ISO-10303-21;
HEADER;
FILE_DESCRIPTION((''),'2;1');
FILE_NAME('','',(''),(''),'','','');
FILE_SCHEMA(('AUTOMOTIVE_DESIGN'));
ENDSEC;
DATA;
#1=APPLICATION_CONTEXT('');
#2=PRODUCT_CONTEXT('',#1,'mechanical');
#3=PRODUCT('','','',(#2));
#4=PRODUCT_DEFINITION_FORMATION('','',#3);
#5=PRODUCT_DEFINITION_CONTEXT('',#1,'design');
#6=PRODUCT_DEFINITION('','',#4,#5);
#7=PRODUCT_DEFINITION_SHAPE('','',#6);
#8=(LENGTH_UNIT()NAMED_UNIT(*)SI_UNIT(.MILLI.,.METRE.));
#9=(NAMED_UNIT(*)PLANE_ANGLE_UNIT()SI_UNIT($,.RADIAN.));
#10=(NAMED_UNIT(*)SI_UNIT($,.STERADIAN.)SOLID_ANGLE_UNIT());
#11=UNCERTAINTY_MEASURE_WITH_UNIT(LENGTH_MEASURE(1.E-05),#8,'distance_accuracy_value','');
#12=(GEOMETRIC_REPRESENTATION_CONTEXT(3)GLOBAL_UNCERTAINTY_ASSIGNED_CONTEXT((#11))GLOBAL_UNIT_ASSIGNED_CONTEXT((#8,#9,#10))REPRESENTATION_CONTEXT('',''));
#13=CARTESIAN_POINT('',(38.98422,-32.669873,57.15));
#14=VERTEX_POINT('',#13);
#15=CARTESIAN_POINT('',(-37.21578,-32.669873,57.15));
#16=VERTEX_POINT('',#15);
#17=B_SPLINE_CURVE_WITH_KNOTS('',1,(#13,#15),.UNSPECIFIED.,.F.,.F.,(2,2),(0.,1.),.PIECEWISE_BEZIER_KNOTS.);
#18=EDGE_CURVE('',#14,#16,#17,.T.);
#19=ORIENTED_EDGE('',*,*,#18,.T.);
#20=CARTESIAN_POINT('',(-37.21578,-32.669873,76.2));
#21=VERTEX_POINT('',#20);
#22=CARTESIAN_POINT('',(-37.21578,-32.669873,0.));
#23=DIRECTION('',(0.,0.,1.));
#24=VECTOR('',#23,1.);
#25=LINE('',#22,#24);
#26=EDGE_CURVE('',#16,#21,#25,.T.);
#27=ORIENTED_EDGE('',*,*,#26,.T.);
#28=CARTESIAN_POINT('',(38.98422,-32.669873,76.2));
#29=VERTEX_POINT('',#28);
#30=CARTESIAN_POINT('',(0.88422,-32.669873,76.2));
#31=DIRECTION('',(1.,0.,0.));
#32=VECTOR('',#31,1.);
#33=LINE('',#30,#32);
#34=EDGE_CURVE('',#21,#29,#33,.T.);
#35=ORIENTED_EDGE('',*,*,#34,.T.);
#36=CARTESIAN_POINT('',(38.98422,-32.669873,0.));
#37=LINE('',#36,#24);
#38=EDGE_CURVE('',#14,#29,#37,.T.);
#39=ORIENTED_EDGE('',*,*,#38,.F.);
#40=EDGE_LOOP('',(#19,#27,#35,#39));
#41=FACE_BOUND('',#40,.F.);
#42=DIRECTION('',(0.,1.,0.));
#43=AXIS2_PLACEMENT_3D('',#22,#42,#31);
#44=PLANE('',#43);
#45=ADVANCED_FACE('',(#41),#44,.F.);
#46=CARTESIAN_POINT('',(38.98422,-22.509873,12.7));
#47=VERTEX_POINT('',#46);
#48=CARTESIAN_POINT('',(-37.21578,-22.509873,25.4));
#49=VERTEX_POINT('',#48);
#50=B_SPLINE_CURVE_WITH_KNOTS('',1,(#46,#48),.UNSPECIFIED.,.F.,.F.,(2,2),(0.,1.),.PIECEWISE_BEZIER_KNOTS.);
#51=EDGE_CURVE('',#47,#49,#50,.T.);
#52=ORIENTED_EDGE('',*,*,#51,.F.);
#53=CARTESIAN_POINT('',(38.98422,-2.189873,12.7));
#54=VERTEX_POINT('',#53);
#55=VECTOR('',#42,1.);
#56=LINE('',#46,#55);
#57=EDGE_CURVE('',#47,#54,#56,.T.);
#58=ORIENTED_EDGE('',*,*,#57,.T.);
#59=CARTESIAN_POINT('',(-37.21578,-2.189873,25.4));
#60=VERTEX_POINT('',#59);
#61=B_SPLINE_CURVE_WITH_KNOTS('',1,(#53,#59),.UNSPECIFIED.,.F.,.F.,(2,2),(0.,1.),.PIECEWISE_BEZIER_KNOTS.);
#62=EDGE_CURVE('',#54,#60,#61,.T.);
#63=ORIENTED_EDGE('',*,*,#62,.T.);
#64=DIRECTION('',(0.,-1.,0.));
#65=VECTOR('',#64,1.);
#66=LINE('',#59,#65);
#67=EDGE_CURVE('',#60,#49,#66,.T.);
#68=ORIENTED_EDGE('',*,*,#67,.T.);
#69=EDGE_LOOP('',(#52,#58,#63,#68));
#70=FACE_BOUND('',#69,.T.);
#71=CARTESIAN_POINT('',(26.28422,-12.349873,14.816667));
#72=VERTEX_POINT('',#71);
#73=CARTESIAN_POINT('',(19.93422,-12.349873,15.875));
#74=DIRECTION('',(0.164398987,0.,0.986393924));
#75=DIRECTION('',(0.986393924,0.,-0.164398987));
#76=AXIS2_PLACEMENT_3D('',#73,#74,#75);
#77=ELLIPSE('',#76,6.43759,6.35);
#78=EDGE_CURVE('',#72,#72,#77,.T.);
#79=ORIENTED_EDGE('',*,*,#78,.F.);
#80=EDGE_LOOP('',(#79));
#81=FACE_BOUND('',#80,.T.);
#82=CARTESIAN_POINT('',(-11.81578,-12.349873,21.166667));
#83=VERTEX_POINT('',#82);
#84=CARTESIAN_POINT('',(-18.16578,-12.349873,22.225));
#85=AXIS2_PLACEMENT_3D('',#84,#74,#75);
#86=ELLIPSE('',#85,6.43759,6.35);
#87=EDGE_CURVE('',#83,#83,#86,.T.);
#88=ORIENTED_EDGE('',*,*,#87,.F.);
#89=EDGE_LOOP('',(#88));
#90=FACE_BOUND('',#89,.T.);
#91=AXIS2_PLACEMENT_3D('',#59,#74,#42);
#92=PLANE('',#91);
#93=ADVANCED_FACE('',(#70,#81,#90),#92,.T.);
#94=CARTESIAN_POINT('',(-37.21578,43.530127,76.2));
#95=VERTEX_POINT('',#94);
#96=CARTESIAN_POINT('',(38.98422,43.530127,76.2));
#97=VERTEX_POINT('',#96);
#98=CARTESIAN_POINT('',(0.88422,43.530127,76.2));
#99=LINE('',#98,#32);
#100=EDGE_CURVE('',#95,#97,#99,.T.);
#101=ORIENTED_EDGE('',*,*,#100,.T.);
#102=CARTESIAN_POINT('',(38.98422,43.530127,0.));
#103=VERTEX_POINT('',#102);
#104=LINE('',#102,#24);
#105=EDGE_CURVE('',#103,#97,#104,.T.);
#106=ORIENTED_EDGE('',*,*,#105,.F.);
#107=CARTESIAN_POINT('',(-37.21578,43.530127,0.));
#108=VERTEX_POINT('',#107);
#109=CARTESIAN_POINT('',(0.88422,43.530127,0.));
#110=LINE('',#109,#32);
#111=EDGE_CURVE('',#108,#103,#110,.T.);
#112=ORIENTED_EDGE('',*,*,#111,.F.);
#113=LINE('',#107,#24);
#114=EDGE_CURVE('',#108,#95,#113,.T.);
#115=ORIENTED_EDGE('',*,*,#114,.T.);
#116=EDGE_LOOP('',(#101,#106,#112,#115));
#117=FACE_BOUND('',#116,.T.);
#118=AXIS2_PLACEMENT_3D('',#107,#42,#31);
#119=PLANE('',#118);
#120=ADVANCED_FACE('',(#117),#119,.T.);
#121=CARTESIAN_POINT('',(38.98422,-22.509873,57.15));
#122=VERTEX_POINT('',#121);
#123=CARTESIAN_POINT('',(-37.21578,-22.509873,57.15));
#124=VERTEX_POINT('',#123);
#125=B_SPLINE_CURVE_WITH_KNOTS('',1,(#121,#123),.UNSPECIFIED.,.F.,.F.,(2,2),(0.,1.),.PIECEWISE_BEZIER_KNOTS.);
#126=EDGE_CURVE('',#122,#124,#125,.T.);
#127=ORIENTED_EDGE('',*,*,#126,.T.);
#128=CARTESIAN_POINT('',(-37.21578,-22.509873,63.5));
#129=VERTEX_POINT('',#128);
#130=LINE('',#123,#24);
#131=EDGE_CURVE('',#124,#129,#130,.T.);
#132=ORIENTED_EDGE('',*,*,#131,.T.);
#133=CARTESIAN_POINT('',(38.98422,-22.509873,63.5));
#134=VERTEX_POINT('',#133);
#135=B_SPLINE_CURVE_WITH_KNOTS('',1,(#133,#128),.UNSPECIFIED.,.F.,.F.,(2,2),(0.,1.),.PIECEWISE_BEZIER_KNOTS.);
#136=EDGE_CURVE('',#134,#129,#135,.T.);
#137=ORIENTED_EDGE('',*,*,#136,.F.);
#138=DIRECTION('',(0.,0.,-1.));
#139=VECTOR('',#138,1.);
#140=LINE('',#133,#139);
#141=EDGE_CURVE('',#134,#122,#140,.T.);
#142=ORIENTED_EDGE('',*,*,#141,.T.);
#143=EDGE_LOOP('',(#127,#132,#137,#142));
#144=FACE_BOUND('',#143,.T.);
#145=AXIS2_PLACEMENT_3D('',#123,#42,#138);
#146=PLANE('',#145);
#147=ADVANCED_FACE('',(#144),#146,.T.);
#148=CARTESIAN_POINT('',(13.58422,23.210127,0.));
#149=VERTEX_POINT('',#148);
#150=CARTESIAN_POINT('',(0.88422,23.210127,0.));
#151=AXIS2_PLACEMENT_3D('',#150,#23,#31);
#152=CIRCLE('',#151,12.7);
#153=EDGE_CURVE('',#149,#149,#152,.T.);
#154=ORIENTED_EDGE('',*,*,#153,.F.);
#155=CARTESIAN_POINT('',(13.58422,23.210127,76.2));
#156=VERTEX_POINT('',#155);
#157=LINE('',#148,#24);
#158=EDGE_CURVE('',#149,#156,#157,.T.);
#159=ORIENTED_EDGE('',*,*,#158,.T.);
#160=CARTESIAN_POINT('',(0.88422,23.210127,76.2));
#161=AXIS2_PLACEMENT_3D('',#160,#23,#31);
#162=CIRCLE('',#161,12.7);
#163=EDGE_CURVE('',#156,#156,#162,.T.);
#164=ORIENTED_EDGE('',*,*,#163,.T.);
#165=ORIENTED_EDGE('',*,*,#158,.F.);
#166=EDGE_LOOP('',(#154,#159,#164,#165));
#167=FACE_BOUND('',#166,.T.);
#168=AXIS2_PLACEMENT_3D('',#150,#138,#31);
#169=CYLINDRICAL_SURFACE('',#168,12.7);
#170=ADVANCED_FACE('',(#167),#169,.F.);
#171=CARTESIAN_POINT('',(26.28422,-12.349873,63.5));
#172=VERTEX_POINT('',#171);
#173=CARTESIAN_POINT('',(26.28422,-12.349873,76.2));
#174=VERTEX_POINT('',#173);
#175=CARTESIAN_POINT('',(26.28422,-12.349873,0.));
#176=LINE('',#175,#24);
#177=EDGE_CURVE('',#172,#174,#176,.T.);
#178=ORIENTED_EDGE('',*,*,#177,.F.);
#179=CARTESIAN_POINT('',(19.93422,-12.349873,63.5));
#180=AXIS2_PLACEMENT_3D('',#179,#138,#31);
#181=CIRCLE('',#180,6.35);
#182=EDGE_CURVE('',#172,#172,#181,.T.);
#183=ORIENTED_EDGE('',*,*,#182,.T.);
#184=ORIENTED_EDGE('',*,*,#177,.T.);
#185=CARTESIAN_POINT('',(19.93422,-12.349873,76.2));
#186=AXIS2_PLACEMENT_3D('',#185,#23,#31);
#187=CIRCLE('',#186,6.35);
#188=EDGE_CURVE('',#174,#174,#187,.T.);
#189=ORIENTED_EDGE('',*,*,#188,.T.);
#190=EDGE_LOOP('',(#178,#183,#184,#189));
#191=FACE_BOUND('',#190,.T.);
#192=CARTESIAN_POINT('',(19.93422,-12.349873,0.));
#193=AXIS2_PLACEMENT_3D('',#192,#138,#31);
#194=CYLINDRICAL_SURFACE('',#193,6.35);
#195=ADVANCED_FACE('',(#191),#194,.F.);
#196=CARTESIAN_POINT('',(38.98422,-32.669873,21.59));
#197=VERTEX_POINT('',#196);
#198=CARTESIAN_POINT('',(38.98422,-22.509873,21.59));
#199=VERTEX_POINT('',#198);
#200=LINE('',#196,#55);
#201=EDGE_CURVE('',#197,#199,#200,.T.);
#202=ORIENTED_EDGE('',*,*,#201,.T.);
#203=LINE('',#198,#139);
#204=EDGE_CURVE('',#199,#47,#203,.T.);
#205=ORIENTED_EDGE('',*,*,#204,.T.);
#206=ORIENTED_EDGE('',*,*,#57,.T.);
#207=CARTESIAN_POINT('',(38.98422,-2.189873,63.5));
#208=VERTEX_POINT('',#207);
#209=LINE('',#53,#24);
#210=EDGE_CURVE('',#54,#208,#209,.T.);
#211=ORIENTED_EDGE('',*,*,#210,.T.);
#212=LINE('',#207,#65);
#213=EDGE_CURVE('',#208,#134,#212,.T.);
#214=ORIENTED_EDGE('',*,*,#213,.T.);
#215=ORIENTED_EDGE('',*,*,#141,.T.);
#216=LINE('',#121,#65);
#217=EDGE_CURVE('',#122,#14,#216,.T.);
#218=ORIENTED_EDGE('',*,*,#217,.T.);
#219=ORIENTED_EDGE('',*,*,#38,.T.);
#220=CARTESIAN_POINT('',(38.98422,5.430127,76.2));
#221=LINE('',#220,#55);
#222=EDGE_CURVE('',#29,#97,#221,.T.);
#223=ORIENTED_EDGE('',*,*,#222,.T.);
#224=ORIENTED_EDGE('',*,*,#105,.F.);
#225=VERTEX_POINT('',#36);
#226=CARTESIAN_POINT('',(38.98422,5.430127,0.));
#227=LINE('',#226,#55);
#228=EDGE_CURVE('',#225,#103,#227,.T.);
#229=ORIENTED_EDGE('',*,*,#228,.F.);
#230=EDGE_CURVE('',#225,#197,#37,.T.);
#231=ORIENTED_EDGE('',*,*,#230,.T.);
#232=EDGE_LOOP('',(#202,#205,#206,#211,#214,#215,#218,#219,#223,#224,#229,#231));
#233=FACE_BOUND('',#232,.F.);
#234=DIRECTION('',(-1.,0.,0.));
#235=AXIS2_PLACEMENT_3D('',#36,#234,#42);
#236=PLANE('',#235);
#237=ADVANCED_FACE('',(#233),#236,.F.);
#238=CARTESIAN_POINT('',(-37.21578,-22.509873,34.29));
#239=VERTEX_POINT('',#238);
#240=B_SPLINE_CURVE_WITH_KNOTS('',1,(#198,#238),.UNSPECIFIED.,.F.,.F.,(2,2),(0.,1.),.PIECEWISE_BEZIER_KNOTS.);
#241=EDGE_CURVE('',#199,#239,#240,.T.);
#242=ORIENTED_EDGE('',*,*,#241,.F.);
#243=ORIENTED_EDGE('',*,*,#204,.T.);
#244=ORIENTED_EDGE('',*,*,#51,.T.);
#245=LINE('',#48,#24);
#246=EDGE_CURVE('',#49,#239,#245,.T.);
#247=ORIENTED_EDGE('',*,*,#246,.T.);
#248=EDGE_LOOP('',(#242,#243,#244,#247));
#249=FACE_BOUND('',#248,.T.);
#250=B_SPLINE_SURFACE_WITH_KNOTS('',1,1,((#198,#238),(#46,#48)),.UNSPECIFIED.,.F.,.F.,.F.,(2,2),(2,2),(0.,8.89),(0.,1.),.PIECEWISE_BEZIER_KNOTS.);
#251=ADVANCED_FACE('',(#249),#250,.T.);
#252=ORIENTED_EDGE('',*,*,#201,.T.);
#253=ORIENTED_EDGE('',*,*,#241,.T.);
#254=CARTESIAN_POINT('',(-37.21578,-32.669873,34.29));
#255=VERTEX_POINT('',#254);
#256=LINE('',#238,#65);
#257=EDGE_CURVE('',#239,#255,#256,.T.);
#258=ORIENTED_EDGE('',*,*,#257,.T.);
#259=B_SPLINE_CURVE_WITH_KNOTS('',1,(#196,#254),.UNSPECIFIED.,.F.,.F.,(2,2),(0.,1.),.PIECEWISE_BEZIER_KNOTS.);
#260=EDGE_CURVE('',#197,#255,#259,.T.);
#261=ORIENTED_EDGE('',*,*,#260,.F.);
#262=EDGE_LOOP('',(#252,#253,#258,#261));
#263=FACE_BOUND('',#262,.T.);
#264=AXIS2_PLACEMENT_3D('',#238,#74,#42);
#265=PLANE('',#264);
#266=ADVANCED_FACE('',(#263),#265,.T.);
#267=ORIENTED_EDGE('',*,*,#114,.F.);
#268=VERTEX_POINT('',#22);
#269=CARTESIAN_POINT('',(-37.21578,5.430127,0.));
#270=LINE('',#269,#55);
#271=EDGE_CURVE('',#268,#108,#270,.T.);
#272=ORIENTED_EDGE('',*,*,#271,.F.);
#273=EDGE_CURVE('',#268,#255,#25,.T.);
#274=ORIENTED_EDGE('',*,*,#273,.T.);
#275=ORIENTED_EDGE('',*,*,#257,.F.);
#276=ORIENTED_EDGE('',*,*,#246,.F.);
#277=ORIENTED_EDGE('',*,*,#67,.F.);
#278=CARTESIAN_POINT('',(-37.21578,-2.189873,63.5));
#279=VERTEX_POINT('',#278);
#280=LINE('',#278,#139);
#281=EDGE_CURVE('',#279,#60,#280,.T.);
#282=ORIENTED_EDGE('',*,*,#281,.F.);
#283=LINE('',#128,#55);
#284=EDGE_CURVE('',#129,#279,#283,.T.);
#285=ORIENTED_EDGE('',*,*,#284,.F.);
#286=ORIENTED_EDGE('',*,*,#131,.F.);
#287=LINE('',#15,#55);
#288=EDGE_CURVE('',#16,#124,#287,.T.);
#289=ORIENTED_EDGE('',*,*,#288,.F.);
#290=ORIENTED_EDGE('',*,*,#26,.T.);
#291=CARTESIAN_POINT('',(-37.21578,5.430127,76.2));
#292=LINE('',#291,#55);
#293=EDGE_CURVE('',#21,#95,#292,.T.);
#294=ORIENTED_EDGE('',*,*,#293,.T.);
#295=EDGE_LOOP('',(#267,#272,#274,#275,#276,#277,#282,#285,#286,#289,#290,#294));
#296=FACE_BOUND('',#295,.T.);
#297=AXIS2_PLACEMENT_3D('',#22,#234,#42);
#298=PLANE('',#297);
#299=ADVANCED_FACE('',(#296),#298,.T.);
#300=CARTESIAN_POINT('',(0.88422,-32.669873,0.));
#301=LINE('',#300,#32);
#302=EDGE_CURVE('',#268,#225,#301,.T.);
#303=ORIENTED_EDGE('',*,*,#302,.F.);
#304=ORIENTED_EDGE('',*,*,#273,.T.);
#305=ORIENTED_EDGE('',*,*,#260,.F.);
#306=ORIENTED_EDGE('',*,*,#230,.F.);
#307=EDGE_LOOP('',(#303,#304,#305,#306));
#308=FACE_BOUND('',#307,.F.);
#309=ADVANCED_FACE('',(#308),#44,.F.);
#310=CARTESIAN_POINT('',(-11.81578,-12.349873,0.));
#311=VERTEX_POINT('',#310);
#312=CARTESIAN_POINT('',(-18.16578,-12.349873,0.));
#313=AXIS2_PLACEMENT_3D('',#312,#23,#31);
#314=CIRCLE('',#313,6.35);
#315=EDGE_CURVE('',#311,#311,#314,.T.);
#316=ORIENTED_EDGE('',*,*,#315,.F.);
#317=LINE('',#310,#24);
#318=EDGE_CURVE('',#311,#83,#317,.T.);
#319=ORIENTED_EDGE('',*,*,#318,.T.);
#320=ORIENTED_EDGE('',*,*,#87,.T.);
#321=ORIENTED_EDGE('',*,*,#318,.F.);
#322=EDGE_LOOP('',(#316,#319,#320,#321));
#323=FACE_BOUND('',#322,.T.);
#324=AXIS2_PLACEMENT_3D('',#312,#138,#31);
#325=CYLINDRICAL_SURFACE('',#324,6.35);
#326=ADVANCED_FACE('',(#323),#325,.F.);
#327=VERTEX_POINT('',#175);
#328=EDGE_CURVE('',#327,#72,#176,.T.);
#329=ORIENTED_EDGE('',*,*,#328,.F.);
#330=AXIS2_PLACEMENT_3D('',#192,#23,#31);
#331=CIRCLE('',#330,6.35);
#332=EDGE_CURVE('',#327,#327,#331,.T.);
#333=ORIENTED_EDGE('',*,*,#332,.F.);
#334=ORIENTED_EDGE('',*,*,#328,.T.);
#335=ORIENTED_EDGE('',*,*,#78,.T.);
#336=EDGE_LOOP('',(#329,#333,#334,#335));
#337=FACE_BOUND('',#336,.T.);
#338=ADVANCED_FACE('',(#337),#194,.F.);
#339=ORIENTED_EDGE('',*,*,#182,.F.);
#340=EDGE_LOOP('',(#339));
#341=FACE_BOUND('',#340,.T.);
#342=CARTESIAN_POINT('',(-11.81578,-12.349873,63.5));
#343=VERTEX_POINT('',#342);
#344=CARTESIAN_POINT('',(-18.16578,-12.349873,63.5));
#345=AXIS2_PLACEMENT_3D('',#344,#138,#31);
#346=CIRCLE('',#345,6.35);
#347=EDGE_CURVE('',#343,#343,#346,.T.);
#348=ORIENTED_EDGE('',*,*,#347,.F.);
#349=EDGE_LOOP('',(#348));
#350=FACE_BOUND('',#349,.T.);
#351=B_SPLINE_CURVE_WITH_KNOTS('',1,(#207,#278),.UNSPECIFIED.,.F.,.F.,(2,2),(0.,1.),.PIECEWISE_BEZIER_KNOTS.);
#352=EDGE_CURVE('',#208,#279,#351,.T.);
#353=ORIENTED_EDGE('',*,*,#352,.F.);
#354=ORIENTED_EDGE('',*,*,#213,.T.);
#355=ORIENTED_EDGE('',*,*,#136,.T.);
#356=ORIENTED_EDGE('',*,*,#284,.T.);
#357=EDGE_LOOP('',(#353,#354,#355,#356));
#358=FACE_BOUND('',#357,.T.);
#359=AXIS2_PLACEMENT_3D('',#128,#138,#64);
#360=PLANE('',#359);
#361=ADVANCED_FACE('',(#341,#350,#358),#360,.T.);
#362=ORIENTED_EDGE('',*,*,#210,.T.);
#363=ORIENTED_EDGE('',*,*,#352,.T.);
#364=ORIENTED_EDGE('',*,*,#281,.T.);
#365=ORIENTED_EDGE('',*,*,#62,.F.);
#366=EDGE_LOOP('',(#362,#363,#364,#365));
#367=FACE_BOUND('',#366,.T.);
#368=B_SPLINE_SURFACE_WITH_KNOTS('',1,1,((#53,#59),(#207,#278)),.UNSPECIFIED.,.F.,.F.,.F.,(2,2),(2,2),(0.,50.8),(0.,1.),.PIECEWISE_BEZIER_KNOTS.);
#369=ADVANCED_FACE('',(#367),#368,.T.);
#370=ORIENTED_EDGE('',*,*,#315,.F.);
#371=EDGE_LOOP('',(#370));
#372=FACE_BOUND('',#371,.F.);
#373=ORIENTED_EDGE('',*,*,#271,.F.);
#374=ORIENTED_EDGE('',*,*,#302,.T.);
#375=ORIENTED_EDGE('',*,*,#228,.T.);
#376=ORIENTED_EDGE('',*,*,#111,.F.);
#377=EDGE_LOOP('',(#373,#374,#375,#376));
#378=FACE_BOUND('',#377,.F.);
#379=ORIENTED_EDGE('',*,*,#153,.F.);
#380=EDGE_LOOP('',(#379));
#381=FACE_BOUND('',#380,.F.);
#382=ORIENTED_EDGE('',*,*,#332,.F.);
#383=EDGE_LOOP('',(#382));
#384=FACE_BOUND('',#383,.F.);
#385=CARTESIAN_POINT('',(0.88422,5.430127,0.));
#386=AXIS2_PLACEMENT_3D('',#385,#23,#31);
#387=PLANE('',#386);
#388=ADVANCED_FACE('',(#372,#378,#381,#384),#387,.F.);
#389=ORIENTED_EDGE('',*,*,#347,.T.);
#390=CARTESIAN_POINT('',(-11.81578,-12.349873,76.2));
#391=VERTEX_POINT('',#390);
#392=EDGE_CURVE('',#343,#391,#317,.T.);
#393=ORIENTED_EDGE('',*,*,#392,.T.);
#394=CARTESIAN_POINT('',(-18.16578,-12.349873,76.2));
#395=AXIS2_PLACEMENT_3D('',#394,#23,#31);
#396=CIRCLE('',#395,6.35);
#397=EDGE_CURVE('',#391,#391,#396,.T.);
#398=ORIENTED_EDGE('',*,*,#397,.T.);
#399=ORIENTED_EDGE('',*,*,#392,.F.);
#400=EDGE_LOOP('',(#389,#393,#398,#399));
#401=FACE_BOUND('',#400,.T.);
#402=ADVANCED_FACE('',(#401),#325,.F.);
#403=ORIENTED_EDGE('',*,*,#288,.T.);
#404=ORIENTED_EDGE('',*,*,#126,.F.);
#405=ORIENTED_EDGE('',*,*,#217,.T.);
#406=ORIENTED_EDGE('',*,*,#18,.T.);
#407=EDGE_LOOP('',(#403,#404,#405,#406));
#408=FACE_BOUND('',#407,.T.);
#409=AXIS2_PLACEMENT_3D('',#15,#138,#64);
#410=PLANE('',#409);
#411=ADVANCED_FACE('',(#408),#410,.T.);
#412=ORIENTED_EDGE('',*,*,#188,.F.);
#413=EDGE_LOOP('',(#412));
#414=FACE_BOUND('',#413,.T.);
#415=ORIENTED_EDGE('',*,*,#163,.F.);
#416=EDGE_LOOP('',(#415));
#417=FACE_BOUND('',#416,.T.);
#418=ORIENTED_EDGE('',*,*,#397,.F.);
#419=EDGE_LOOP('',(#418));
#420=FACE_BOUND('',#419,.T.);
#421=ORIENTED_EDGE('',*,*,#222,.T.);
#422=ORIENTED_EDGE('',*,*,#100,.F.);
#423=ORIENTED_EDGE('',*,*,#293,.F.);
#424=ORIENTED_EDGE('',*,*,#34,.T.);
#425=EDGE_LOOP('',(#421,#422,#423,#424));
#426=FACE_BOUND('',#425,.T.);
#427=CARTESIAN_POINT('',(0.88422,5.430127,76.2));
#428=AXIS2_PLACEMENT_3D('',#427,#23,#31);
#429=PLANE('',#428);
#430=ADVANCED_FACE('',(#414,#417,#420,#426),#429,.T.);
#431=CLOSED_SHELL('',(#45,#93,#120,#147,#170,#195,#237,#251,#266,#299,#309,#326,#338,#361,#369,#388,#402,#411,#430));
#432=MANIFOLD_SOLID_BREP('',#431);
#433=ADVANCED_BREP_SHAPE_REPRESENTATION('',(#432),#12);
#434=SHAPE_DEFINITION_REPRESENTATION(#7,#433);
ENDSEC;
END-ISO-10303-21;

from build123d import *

# Parameters (mm, degrees)
F0_W     = 76.2
F0_H     = 76.2
F0_R     = 6.35
F0_R_2   = 12.7
F1_DEPTH = 76.2


with BuildPart() as f1:
    # F0 (on Top) → F1 (new body)
    with BuildSketch(Plane.XY):
        with Locations((0.88422, 5.430127)):
            Rectangle(F0_W, F0_H)
        with Locations((-18.16578, -12.349873)):
            Circle(F0_R, mode=Mode.SUBTRACT)
        with Locations((19.93422, -12.349873)):
            Circle(F0_R, mode=Mode.SUBTRACT)
        with Locations((0.88422, 23.210127)):
            Circle(F0_R_2, mode=Mode.SUBTRACT)
    extrude(amount=F1_DEPTH)

    # F2 (on face) → F4 section 0
    with BuildSketch(Plane.YZ.offset(38.98422)):
        Polygon((-22.509873, 57.15), (-32.669873, 57.15), (-32.669873, 21.59), (-22.509873, 21.59), (-22.509873, 12.7), (-2.189873, 12.7), (-2.189873, 63.5), (-22.509873, 63.5), align=None)
    # F3 (on face) → F4 section 1
    with BuildSketch(Plane(origin=(-37.21578, 0, 0), x_dir=(0, -1, 0), z_dir=(-1, 0, 0))):
        Polygon((22.509873, 34.29), (32.669873, 34.29), (32.669873, 57.15), (22.509873, 57.15), (22.509873, 63.5), (2.189873, 63.5), (2.189873, 25.4), (22.509873, 25.4), align=None)
    loft(mode=Mode.SUBTRACT)


solid = f1.part
